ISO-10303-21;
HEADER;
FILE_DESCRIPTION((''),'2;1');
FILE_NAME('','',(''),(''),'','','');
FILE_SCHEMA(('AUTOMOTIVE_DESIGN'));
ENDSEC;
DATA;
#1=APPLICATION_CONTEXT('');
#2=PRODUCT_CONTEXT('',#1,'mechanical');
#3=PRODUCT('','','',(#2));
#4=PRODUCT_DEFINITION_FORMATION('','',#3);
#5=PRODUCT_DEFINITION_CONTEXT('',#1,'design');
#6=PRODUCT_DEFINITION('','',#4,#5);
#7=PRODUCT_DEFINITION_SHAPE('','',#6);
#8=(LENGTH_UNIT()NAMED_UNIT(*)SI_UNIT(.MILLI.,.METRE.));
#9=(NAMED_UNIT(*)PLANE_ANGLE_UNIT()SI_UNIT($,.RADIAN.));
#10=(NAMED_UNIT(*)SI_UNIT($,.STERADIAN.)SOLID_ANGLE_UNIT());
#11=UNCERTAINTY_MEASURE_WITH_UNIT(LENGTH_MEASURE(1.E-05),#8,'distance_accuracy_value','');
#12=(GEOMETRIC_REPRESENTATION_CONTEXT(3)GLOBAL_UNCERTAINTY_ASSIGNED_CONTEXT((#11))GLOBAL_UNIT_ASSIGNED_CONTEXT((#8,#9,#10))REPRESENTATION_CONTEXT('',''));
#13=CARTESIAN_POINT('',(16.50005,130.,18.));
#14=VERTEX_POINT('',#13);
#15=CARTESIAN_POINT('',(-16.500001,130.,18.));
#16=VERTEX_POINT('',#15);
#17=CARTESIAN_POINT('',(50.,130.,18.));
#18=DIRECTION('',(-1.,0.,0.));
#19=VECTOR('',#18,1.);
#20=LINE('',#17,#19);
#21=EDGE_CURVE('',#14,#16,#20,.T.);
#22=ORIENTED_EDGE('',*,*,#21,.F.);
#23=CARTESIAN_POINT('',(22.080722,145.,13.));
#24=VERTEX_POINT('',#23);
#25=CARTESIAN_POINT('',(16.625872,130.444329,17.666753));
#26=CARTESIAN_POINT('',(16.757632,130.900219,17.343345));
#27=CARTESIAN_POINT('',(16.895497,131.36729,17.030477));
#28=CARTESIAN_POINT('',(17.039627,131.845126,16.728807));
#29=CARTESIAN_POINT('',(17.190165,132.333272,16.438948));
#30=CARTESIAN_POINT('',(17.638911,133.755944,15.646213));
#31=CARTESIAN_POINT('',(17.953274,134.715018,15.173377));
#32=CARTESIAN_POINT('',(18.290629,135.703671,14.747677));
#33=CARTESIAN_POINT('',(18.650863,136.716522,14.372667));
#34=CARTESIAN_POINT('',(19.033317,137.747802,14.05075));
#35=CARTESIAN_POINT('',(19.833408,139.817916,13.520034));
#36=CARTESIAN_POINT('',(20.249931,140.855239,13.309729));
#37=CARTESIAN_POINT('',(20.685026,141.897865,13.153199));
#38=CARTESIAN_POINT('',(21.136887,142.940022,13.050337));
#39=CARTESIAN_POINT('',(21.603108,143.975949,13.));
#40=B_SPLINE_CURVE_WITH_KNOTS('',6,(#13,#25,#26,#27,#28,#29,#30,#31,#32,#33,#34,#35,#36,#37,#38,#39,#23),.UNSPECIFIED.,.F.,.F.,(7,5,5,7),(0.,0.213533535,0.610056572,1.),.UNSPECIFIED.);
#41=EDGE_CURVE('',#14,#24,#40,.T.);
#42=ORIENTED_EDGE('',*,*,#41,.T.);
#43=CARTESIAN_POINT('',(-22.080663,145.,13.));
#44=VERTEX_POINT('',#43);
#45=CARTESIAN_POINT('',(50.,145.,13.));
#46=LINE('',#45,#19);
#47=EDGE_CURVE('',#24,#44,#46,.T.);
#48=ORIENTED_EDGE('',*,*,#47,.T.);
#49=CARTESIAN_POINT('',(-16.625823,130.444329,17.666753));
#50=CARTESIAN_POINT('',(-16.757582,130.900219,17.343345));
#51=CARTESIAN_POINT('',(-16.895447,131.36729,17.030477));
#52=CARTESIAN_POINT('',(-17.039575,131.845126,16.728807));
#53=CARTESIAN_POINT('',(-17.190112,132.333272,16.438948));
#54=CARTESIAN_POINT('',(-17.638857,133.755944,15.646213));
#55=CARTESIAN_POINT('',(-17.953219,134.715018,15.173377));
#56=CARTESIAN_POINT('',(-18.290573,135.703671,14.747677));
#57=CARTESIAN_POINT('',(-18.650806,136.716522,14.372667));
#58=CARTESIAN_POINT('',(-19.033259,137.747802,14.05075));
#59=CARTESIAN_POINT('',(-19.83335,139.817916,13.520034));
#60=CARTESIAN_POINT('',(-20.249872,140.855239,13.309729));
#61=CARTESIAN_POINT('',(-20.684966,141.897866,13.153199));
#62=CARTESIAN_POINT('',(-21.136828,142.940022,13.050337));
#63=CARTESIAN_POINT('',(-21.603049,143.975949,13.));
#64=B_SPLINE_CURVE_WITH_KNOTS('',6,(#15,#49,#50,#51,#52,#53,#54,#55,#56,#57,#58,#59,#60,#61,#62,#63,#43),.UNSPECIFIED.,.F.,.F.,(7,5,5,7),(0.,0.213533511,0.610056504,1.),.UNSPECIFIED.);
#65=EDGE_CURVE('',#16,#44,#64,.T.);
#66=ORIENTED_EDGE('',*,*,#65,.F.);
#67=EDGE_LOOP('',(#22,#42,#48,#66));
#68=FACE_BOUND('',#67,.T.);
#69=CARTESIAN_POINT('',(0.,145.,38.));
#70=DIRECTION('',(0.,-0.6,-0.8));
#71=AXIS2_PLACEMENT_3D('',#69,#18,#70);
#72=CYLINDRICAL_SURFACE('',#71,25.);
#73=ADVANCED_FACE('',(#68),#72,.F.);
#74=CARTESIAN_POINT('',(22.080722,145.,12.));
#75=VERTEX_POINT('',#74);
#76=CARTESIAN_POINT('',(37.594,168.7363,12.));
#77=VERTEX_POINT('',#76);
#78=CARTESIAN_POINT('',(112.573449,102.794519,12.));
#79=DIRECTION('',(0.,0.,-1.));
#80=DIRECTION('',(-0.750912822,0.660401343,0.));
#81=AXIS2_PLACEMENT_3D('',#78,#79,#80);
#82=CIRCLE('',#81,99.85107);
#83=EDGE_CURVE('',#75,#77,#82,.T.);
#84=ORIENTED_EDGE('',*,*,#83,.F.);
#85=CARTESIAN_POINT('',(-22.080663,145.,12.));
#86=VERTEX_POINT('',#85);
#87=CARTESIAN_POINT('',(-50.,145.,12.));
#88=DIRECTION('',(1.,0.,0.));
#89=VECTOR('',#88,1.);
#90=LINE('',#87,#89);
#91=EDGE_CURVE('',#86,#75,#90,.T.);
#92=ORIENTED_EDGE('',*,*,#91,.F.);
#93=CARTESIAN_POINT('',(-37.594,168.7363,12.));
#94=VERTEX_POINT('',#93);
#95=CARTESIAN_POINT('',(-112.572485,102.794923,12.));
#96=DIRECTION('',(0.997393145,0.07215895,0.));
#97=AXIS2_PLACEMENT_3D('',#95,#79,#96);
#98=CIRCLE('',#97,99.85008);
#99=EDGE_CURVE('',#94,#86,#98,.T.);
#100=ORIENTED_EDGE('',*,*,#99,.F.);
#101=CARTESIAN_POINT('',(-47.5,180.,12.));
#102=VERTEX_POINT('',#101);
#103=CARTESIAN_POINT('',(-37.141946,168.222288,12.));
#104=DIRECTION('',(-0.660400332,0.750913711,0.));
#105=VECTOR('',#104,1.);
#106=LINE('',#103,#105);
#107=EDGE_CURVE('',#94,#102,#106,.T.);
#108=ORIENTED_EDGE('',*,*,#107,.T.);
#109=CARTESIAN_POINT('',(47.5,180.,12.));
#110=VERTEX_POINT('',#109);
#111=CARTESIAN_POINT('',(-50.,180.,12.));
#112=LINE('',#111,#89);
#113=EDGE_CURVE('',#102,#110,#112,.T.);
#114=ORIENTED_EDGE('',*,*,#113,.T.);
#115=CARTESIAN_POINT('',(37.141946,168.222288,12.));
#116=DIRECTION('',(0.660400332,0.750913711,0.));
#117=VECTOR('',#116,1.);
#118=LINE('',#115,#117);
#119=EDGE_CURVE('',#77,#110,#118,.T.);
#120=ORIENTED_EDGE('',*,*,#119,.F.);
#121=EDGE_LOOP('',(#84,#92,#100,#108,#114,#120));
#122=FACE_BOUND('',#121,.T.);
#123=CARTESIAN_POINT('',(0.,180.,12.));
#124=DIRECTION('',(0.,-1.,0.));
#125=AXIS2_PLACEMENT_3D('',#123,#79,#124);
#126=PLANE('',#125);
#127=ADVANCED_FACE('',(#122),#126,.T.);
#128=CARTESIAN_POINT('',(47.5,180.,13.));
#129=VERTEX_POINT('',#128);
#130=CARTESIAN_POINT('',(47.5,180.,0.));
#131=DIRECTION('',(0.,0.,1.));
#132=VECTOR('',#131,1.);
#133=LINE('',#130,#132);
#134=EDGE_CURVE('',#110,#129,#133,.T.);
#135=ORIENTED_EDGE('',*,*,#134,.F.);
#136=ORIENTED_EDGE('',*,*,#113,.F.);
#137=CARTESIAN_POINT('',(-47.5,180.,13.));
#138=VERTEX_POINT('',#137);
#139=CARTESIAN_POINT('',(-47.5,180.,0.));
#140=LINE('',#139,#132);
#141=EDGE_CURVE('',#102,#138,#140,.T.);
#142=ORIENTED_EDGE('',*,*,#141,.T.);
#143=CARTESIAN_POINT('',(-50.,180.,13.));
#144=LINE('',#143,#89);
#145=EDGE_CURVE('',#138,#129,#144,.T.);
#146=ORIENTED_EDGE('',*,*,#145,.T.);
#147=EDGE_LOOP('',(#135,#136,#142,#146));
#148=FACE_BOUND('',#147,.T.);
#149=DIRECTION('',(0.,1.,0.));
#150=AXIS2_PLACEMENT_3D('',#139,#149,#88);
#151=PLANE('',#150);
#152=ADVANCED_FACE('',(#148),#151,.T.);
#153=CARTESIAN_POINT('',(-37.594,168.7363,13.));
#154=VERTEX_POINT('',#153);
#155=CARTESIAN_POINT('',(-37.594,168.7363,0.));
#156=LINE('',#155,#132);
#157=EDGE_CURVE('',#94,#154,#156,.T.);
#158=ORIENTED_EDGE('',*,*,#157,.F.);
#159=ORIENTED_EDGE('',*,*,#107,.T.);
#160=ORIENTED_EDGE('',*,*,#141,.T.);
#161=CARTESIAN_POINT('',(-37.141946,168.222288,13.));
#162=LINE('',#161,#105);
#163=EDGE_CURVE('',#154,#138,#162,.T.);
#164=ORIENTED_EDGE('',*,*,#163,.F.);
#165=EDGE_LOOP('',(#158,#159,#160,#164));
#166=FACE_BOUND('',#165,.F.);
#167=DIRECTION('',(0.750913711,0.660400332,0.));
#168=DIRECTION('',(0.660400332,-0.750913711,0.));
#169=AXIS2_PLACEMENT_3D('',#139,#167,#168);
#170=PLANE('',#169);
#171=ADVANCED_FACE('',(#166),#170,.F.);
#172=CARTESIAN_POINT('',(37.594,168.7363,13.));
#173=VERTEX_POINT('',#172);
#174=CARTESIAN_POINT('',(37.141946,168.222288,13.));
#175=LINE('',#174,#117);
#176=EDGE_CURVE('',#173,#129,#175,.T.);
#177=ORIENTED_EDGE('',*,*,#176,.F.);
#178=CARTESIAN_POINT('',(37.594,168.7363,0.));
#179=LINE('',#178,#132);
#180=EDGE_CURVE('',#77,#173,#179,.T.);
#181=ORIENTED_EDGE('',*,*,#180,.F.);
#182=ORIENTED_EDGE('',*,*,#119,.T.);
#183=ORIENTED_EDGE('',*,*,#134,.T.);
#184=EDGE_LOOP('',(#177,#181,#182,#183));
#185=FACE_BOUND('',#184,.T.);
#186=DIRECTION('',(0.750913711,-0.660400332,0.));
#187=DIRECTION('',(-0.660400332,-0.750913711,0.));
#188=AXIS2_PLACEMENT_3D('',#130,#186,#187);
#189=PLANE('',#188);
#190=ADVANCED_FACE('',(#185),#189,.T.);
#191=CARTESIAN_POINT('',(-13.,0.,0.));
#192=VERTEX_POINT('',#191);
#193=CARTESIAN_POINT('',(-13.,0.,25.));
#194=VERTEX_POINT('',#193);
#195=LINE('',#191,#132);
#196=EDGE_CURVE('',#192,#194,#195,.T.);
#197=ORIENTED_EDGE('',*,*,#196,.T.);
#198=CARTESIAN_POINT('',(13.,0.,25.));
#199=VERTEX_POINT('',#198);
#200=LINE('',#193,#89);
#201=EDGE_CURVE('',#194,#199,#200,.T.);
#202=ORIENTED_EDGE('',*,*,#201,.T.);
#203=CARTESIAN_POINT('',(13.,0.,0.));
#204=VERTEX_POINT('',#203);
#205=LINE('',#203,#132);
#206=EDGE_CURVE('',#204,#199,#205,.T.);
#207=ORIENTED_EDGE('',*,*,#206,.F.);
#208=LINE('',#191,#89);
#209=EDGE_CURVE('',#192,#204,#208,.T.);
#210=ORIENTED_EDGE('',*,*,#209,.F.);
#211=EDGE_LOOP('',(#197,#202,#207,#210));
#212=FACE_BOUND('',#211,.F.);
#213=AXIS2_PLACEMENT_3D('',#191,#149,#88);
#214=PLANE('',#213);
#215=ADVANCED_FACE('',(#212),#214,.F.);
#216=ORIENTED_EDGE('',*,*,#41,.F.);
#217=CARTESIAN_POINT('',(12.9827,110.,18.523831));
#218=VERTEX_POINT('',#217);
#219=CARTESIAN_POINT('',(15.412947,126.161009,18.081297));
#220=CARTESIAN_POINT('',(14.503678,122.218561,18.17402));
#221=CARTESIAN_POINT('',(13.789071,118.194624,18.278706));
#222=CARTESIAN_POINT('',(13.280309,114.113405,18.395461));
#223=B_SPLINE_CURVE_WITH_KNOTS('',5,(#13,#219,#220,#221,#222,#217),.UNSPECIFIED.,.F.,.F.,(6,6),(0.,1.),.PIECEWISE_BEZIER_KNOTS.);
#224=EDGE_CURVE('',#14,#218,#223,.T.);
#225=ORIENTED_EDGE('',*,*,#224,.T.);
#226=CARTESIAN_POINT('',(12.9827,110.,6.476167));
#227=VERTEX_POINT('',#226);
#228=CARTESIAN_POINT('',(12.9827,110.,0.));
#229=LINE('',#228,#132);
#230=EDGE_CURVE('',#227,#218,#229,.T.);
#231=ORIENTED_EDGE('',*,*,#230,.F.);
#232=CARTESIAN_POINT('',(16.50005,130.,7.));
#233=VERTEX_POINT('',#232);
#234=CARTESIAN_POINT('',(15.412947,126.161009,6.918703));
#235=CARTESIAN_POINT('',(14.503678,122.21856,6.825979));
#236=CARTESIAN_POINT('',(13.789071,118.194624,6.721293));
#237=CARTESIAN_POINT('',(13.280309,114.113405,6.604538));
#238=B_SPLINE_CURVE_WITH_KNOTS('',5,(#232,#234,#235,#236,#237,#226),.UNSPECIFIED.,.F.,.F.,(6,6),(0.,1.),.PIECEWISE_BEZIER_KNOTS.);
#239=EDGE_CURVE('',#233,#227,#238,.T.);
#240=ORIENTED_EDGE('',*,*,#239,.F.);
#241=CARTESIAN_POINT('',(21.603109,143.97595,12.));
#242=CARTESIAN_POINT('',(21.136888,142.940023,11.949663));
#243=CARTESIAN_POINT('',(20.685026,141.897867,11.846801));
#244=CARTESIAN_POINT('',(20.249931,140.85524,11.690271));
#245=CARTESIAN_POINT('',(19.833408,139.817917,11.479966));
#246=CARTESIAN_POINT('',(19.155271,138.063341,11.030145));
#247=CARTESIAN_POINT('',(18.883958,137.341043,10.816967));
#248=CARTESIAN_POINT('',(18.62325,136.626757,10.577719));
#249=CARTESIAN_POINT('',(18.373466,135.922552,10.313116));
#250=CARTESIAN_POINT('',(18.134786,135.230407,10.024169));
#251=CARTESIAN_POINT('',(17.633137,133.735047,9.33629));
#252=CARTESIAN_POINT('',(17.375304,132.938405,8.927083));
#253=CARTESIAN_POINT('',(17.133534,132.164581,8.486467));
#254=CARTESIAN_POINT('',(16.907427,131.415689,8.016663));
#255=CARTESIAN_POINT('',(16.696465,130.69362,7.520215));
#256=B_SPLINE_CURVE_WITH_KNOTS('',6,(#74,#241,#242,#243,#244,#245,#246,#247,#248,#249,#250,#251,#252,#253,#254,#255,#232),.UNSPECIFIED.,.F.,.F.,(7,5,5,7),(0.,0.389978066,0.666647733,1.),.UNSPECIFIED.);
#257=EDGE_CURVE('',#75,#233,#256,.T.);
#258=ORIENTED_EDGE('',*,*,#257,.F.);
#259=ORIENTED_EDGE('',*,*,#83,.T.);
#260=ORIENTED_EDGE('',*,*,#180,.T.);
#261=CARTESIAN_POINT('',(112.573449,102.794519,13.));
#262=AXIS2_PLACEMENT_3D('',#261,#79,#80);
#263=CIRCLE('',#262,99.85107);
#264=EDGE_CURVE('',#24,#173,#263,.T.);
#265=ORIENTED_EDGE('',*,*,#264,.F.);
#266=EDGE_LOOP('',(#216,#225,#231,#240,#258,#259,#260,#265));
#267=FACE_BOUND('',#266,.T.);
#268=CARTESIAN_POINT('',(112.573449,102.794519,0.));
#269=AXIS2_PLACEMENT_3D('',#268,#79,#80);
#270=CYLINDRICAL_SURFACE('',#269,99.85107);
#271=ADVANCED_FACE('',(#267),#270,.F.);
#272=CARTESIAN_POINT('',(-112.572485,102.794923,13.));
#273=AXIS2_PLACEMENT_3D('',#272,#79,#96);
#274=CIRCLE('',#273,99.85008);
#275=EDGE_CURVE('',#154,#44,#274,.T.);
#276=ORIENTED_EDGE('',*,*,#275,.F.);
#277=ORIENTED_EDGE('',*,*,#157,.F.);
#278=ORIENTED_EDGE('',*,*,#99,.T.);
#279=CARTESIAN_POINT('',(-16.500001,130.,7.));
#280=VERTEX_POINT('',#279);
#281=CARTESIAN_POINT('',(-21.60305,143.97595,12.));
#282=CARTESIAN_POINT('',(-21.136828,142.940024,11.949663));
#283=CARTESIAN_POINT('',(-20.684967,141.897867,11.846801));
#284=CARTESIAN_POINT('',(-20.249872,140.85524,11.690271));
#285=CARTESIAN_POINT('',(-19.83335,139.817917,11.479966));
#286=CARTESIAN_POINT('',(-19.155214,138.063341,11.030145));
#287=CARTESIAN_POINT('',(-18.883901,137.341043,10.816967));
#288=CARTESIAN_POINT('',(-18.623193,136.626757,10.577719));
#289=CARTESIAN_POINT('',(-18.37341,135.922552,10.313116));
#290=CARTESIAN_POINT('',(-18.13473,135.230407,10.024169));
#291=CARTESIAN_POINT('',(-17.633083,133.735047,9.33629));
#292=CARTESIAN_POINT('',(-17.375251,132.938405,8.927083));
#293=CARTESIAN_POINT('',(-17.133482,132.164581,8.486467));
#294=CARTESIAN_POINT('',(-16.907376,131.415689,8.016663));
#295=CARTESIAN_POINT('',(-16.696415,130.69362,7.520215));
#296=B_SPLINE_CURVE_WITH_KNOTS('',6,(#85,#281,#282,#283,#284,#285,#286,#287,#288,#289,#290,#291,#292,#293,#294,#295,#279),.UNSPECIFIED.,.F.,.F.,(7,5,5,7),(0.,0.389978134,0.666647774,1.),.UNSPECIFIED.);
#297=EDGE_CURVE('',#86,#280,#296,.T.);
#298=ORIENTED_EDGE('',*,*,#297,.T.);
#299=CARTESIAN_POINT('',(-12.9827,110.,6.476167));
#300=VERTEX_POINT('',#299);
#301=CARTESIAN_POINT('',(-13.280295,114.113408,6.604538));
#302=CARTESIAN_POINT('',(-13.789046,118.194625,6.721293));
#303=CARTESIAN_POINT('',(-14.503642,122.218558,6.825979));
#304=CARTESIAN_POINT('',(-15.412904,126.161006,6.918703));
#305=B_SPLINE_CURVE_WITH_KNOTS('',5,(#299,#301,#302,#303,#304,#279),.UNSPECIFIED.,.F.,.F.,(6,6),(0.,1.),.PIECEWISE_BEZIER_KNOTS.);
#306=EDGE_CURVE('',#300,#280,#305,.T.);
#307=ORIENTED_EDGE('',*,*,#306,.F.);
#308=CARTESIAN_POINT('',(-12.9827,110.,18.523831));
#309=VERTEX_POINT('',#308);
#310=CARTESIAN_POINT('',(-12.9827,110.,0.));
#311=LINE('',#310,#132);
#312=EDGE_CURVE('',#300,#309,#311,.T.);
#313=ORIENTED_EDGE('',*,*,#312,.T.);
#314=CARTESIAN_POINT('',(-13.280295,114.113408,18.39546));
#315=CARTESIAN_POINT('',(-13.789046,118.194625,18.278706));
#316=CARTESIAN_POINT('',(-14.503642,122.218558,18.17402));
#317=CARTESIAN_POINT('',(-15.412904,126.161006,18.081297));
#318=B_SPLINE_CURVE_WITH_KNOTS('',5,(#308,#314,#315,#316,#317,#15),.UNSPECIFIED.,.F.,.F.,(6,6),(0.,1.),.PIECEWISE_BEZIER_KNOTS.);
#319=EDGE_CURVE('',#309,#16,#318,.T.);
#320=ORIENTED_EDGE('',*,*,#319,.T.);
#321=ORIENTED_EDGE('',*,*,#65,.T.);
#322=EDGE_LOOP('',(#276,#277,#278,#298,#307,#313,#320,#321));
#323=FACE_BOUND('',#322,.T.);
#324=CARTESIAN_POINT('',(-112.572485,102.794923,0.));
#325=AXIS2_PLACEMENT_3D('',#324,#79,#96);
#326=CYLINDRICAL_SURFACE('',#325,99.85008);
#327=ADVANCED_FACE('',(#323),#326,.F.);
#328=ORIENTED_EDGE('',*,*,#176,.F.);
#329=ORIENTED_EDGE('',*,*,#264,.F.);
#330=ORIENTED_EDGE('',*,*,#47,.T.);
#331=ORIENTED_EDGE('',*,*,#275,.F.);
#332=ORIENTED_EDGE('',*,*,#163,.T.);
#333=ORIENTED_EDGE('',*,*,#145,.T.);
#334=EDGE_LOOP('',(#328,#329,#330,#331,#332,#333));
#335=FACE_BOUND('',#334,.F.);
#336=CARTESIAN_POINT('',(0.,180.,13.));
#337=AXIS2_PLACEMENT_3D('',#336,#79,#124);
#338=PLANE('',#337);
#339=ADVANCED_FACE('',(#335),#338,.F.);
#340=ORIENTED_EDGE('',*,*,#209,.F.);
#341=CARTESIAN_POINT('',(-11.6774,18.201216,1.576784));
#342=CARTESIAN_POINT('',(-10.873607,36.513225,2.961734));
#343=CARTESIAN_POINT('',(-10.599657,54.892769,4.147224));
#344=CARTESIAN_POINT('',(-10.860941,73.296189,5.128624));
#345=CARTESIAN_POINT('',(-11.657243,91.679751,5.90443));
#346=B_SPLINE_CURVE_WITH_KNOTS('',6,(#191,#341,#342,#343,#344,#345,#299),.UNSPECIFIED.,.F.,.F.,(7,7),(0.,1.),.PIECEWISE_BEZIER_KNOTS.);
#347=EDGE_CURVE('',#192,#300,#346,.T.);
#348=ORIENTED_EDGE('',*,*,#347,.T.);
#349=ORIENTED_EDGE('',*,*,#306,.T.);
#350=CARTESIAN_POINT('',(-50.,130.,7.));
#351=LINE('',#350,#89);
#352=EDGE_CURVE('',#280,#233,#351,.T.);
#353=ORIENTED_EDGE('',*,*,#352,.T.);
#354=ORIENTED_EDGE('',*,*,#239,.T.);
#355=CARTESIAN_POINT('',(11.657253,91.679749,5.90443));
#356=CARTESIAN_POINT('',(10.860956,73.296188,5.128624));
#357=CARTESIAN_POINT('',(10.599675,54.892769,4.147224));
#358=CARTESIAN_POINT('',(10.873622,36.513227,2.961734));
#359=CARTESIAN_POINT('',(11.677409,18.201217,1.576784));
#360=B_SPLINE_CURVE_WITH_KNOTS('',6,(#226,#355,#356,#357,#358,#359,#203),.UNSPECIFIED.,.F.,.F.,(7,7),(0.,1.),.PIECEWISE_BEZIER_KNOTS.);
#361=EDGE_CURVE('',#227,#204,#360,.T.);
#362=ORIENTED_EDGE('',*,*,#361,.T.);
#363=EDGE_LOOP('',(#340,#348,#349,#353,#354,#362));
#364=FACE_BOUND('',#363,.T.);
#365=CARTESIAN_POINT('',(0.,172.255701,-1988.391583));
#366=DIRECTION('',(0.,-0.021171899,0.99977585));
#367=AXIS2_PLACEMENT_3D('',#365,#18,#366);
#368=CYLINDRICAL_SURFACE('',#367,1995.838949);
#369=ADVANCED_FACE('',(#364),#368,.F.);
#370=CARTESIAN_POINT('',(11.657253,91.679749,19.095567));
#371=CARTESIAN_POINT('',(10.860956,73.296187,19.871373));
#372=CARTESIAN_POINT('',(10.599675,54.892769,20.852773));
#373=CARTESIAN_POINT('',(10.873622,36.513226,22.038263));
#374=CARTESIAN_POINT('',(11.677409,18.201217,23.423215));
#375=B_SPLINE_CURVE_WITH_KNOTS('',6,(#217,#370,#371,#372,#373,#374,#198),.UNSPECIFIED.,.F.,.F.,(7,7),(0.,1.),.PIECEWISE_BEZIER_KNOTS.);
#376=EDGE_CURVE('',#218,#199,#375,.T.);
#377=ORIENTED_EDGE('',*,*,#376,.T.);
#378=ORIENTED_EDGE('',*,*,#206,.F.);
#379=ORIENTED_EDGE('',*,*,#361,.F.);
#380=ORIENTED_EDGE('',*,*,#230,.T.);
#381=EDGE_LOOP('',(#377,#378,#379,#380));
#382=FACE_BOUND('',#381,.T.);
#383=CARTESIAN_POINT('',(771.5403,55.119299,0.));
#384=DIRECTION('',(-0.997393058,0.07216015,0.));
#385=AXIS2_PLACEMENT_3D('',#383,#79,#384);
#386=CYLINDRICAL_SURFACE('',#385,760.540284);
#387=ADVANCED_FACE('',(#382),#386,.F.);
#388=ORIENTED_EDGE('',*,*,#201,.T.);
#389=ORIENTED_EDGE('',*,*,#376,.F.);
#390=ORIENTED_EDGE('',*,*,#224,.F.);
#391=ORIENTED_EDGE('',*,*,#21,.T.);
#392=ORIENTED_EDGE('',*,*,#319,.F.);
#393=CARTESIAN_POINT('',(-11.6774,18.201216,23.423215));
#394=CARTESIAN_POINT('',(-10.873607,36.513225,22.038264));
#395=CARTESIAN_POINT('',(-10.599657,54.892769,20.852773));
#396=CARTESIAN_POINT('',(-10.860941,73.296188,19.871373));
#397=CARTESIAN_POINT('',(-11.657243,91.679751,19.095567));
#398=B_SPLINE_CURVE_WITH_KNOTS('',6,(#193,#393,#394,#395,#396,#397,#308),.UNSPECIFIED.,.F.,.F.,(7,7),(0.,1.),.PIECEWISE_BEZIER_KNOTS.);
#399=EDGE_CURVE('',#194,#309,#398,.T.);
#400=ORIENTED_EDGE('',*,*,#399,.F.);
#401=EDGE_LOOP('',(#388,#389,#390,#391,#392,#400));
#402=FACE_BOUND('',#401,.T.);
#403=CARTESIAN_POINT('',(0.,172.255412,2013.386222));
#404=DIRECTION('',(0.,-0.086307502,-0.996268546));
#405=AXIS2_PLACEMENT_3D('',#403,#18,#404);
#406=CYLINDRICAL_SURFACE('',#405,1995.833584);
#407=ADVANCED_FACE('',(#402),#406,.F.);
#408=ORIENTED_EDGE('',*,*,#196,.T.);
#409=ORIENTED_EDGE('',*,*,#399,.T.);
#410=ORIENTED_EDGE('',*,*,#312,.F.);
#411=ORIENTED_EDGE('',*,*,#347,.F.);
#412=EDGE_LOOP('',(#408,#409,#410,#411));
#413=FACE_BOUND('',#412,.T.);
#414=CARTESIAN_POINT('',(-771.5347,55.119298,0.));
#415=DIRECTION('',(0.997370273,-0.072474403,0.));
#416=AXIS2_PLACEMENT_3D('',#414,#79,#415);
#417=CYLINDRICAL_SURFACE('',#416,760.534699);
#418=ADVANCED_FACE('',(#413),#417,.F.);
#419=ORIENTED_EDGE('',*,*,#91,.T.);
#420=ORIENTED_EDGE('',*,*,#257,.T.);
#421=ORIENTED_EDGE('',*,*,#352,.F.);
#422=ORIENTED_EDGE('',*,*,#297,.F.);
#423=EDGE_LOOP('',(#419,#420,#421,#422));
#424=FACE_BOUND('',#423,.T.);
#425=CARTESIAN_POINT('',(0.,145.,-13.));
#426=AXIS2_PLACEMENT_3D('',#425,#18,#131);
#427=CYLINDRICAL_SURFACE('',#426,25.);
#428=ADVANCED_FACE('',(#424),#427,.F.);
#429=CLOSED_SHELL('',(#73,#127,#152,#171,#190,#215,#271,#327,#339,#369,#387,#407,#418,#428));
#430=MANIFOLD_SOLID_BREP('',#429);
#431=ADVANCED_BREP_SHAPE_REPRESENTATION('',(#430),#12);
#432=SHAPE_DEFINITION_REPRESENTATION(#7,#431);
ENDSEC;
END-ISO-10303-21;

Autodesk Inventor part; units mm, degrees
ref_plane "YZ Plane" through (0, 0, 0) normal (1, 0, 0) x (0, 1, 0)
ref_plane "XZ Plane" through (0, 0, 0) normal (0, 1, 0) x (-1, 0, 0)
ref_plane "XY Plane" through (0, 0, 0) normal (0, 0, 1) x (1, 0, 0)
sketch "Эскиз1" plane through (0, 0, 0) normal (0, 0, 1) x (1, 0, 0)
  line L0 (-13, 0) -> (13, 0)
  line L1 (-47.5, 180) -> (47.5, 180)
  line L2 (-16.5, 130) -> (16.5, 130)
  line L3 (-12.9827, 110) -> (12.9827, 110)
  line L4 (-11.8003, 90) -> (11.8003, 90)
  line L5 (47.5, 180) -> (37.594, 168.7363)
  line L6 (-47.5, 180) -> (-37.594, 168.7363)
  line L7 (-37.594, 168.7363) -> (37.594, 168.7363)
  arc A0 (37.594, 168.7363) -> (12.9827, 110) centre (112.573, 102.7948) ccw
  arc A1 (12.9827, 110) -> (13, 0) centre (771.5375, 55.1194) ccw
  arc A2 (-12.9827, 110) -> (-37.594, 168.7363) centre (-112.573, 102.7948) ccw
  arc A3 (-13, 0) -> (-12.9827, 110) centre (-771.5375, 55.1194) ccw
  line L8 (-11, 80.4723) -> (-11, 26.1046)
  line L9 (11, 80.4723) -> (11, 26.1046)
  line L10 (-37.594, 168.7363) -> (13.0707, 111.1279)
  line L11 (37.594, 168.7363) -> (-13.0707, 111.1279)
  point P0 (0, 0)
  point P1 (0, 0)
  point P2 (0, 180)
  point P3 (0, 130)
  point P4 (0, 90)
  point P5 (0, 110)
  point P6 (-11, 55.1194)
  dimension "d0" = 26
  dimension "d1" = 95
  dimension "d2" = 33
  dimension "d5" = 180
  dimension "d6" = 50
  dimension "d7" = 20
  dimension "d8" = 20
  dimension "d9" = 15
  dimension "d10" = 15
  dimension "d13" = 22
  dimension "d19" = 55.1194
extrude "Выдавливание1" add sketch "Эскиз1" along normal blind 25
sketch "Эскиз2" plane through (0, 0, 0) normal (1, 0, 0) x (0, 1, 0)
  line L0 (0, 0) -> (110, 0) projected
  line L1 (110, 0) -> (110, 25) projected
  line L2 (0, 25) -> (110, 25) projected
  line L3 (0, 0) -> (0, 25) projected
  line L4 (110, 0) -> (169.3956, 0) projected
  line L5 (110, 25) -> (169.3956, 25) projected
  line L6 (110, 0) -> (110, 25) projected
  line L7 (130, 18) -> (130, 7)
  line L8 (55, 21) -> (55, 4)
  arc A0 (0, 25) -> (130, 18) centre (172.2556, 2013.3889) ccw
  arc A1 (130, 7) -> (0, 0) centre (172.2556, -1988.3889) ccw
  line L9 (180, 13) -> (180, 12)
  line L10 (145, 13) -> (145, 12)
  line L11 (180, 13) -> (145, 13)
  line L12 (180, 12) -> (145, 12)
  arc A2 (130, 18) -> (145, 13) centre (145, 38) ccw
  arc A3 (145, 12) -> (130, 7) centre (145, -13) ccw
  line L13 (168.7363, 0) -> (180, 0) projected
  line L14 (180, 0) -> (180, 25) projected
  line L15 (168.7363, 25) -> (180, 25) projected
  point P0 (130, 12.5)
  point P1 (0, 12.5)
  point P2 (55, 12.5)
  point P3 (180, 12.5)
  point P4 (169.3956, 12.5)
  point P5 (145, 12.5)
  point P6 (180, 12.5)
  dimension "d16" = 11
  dimension "d20" = 55
  dimension "d21" = 17
  dimension "d22" = 1
  dimension "d23" = 1
  dimension "d25" = 35
  dimension "d28" = 50
extrude "Выдавливание2" cut sketch "Эскиз2" along normal mid plane 100 contours L3 A0 L8 A1 | L8 A0 L1 A1 | L1 A0 L7 A1 | L7 A2 L10 A3 | L10 L11 L9 L12 keep common part
properties part number "bachi_v2"
